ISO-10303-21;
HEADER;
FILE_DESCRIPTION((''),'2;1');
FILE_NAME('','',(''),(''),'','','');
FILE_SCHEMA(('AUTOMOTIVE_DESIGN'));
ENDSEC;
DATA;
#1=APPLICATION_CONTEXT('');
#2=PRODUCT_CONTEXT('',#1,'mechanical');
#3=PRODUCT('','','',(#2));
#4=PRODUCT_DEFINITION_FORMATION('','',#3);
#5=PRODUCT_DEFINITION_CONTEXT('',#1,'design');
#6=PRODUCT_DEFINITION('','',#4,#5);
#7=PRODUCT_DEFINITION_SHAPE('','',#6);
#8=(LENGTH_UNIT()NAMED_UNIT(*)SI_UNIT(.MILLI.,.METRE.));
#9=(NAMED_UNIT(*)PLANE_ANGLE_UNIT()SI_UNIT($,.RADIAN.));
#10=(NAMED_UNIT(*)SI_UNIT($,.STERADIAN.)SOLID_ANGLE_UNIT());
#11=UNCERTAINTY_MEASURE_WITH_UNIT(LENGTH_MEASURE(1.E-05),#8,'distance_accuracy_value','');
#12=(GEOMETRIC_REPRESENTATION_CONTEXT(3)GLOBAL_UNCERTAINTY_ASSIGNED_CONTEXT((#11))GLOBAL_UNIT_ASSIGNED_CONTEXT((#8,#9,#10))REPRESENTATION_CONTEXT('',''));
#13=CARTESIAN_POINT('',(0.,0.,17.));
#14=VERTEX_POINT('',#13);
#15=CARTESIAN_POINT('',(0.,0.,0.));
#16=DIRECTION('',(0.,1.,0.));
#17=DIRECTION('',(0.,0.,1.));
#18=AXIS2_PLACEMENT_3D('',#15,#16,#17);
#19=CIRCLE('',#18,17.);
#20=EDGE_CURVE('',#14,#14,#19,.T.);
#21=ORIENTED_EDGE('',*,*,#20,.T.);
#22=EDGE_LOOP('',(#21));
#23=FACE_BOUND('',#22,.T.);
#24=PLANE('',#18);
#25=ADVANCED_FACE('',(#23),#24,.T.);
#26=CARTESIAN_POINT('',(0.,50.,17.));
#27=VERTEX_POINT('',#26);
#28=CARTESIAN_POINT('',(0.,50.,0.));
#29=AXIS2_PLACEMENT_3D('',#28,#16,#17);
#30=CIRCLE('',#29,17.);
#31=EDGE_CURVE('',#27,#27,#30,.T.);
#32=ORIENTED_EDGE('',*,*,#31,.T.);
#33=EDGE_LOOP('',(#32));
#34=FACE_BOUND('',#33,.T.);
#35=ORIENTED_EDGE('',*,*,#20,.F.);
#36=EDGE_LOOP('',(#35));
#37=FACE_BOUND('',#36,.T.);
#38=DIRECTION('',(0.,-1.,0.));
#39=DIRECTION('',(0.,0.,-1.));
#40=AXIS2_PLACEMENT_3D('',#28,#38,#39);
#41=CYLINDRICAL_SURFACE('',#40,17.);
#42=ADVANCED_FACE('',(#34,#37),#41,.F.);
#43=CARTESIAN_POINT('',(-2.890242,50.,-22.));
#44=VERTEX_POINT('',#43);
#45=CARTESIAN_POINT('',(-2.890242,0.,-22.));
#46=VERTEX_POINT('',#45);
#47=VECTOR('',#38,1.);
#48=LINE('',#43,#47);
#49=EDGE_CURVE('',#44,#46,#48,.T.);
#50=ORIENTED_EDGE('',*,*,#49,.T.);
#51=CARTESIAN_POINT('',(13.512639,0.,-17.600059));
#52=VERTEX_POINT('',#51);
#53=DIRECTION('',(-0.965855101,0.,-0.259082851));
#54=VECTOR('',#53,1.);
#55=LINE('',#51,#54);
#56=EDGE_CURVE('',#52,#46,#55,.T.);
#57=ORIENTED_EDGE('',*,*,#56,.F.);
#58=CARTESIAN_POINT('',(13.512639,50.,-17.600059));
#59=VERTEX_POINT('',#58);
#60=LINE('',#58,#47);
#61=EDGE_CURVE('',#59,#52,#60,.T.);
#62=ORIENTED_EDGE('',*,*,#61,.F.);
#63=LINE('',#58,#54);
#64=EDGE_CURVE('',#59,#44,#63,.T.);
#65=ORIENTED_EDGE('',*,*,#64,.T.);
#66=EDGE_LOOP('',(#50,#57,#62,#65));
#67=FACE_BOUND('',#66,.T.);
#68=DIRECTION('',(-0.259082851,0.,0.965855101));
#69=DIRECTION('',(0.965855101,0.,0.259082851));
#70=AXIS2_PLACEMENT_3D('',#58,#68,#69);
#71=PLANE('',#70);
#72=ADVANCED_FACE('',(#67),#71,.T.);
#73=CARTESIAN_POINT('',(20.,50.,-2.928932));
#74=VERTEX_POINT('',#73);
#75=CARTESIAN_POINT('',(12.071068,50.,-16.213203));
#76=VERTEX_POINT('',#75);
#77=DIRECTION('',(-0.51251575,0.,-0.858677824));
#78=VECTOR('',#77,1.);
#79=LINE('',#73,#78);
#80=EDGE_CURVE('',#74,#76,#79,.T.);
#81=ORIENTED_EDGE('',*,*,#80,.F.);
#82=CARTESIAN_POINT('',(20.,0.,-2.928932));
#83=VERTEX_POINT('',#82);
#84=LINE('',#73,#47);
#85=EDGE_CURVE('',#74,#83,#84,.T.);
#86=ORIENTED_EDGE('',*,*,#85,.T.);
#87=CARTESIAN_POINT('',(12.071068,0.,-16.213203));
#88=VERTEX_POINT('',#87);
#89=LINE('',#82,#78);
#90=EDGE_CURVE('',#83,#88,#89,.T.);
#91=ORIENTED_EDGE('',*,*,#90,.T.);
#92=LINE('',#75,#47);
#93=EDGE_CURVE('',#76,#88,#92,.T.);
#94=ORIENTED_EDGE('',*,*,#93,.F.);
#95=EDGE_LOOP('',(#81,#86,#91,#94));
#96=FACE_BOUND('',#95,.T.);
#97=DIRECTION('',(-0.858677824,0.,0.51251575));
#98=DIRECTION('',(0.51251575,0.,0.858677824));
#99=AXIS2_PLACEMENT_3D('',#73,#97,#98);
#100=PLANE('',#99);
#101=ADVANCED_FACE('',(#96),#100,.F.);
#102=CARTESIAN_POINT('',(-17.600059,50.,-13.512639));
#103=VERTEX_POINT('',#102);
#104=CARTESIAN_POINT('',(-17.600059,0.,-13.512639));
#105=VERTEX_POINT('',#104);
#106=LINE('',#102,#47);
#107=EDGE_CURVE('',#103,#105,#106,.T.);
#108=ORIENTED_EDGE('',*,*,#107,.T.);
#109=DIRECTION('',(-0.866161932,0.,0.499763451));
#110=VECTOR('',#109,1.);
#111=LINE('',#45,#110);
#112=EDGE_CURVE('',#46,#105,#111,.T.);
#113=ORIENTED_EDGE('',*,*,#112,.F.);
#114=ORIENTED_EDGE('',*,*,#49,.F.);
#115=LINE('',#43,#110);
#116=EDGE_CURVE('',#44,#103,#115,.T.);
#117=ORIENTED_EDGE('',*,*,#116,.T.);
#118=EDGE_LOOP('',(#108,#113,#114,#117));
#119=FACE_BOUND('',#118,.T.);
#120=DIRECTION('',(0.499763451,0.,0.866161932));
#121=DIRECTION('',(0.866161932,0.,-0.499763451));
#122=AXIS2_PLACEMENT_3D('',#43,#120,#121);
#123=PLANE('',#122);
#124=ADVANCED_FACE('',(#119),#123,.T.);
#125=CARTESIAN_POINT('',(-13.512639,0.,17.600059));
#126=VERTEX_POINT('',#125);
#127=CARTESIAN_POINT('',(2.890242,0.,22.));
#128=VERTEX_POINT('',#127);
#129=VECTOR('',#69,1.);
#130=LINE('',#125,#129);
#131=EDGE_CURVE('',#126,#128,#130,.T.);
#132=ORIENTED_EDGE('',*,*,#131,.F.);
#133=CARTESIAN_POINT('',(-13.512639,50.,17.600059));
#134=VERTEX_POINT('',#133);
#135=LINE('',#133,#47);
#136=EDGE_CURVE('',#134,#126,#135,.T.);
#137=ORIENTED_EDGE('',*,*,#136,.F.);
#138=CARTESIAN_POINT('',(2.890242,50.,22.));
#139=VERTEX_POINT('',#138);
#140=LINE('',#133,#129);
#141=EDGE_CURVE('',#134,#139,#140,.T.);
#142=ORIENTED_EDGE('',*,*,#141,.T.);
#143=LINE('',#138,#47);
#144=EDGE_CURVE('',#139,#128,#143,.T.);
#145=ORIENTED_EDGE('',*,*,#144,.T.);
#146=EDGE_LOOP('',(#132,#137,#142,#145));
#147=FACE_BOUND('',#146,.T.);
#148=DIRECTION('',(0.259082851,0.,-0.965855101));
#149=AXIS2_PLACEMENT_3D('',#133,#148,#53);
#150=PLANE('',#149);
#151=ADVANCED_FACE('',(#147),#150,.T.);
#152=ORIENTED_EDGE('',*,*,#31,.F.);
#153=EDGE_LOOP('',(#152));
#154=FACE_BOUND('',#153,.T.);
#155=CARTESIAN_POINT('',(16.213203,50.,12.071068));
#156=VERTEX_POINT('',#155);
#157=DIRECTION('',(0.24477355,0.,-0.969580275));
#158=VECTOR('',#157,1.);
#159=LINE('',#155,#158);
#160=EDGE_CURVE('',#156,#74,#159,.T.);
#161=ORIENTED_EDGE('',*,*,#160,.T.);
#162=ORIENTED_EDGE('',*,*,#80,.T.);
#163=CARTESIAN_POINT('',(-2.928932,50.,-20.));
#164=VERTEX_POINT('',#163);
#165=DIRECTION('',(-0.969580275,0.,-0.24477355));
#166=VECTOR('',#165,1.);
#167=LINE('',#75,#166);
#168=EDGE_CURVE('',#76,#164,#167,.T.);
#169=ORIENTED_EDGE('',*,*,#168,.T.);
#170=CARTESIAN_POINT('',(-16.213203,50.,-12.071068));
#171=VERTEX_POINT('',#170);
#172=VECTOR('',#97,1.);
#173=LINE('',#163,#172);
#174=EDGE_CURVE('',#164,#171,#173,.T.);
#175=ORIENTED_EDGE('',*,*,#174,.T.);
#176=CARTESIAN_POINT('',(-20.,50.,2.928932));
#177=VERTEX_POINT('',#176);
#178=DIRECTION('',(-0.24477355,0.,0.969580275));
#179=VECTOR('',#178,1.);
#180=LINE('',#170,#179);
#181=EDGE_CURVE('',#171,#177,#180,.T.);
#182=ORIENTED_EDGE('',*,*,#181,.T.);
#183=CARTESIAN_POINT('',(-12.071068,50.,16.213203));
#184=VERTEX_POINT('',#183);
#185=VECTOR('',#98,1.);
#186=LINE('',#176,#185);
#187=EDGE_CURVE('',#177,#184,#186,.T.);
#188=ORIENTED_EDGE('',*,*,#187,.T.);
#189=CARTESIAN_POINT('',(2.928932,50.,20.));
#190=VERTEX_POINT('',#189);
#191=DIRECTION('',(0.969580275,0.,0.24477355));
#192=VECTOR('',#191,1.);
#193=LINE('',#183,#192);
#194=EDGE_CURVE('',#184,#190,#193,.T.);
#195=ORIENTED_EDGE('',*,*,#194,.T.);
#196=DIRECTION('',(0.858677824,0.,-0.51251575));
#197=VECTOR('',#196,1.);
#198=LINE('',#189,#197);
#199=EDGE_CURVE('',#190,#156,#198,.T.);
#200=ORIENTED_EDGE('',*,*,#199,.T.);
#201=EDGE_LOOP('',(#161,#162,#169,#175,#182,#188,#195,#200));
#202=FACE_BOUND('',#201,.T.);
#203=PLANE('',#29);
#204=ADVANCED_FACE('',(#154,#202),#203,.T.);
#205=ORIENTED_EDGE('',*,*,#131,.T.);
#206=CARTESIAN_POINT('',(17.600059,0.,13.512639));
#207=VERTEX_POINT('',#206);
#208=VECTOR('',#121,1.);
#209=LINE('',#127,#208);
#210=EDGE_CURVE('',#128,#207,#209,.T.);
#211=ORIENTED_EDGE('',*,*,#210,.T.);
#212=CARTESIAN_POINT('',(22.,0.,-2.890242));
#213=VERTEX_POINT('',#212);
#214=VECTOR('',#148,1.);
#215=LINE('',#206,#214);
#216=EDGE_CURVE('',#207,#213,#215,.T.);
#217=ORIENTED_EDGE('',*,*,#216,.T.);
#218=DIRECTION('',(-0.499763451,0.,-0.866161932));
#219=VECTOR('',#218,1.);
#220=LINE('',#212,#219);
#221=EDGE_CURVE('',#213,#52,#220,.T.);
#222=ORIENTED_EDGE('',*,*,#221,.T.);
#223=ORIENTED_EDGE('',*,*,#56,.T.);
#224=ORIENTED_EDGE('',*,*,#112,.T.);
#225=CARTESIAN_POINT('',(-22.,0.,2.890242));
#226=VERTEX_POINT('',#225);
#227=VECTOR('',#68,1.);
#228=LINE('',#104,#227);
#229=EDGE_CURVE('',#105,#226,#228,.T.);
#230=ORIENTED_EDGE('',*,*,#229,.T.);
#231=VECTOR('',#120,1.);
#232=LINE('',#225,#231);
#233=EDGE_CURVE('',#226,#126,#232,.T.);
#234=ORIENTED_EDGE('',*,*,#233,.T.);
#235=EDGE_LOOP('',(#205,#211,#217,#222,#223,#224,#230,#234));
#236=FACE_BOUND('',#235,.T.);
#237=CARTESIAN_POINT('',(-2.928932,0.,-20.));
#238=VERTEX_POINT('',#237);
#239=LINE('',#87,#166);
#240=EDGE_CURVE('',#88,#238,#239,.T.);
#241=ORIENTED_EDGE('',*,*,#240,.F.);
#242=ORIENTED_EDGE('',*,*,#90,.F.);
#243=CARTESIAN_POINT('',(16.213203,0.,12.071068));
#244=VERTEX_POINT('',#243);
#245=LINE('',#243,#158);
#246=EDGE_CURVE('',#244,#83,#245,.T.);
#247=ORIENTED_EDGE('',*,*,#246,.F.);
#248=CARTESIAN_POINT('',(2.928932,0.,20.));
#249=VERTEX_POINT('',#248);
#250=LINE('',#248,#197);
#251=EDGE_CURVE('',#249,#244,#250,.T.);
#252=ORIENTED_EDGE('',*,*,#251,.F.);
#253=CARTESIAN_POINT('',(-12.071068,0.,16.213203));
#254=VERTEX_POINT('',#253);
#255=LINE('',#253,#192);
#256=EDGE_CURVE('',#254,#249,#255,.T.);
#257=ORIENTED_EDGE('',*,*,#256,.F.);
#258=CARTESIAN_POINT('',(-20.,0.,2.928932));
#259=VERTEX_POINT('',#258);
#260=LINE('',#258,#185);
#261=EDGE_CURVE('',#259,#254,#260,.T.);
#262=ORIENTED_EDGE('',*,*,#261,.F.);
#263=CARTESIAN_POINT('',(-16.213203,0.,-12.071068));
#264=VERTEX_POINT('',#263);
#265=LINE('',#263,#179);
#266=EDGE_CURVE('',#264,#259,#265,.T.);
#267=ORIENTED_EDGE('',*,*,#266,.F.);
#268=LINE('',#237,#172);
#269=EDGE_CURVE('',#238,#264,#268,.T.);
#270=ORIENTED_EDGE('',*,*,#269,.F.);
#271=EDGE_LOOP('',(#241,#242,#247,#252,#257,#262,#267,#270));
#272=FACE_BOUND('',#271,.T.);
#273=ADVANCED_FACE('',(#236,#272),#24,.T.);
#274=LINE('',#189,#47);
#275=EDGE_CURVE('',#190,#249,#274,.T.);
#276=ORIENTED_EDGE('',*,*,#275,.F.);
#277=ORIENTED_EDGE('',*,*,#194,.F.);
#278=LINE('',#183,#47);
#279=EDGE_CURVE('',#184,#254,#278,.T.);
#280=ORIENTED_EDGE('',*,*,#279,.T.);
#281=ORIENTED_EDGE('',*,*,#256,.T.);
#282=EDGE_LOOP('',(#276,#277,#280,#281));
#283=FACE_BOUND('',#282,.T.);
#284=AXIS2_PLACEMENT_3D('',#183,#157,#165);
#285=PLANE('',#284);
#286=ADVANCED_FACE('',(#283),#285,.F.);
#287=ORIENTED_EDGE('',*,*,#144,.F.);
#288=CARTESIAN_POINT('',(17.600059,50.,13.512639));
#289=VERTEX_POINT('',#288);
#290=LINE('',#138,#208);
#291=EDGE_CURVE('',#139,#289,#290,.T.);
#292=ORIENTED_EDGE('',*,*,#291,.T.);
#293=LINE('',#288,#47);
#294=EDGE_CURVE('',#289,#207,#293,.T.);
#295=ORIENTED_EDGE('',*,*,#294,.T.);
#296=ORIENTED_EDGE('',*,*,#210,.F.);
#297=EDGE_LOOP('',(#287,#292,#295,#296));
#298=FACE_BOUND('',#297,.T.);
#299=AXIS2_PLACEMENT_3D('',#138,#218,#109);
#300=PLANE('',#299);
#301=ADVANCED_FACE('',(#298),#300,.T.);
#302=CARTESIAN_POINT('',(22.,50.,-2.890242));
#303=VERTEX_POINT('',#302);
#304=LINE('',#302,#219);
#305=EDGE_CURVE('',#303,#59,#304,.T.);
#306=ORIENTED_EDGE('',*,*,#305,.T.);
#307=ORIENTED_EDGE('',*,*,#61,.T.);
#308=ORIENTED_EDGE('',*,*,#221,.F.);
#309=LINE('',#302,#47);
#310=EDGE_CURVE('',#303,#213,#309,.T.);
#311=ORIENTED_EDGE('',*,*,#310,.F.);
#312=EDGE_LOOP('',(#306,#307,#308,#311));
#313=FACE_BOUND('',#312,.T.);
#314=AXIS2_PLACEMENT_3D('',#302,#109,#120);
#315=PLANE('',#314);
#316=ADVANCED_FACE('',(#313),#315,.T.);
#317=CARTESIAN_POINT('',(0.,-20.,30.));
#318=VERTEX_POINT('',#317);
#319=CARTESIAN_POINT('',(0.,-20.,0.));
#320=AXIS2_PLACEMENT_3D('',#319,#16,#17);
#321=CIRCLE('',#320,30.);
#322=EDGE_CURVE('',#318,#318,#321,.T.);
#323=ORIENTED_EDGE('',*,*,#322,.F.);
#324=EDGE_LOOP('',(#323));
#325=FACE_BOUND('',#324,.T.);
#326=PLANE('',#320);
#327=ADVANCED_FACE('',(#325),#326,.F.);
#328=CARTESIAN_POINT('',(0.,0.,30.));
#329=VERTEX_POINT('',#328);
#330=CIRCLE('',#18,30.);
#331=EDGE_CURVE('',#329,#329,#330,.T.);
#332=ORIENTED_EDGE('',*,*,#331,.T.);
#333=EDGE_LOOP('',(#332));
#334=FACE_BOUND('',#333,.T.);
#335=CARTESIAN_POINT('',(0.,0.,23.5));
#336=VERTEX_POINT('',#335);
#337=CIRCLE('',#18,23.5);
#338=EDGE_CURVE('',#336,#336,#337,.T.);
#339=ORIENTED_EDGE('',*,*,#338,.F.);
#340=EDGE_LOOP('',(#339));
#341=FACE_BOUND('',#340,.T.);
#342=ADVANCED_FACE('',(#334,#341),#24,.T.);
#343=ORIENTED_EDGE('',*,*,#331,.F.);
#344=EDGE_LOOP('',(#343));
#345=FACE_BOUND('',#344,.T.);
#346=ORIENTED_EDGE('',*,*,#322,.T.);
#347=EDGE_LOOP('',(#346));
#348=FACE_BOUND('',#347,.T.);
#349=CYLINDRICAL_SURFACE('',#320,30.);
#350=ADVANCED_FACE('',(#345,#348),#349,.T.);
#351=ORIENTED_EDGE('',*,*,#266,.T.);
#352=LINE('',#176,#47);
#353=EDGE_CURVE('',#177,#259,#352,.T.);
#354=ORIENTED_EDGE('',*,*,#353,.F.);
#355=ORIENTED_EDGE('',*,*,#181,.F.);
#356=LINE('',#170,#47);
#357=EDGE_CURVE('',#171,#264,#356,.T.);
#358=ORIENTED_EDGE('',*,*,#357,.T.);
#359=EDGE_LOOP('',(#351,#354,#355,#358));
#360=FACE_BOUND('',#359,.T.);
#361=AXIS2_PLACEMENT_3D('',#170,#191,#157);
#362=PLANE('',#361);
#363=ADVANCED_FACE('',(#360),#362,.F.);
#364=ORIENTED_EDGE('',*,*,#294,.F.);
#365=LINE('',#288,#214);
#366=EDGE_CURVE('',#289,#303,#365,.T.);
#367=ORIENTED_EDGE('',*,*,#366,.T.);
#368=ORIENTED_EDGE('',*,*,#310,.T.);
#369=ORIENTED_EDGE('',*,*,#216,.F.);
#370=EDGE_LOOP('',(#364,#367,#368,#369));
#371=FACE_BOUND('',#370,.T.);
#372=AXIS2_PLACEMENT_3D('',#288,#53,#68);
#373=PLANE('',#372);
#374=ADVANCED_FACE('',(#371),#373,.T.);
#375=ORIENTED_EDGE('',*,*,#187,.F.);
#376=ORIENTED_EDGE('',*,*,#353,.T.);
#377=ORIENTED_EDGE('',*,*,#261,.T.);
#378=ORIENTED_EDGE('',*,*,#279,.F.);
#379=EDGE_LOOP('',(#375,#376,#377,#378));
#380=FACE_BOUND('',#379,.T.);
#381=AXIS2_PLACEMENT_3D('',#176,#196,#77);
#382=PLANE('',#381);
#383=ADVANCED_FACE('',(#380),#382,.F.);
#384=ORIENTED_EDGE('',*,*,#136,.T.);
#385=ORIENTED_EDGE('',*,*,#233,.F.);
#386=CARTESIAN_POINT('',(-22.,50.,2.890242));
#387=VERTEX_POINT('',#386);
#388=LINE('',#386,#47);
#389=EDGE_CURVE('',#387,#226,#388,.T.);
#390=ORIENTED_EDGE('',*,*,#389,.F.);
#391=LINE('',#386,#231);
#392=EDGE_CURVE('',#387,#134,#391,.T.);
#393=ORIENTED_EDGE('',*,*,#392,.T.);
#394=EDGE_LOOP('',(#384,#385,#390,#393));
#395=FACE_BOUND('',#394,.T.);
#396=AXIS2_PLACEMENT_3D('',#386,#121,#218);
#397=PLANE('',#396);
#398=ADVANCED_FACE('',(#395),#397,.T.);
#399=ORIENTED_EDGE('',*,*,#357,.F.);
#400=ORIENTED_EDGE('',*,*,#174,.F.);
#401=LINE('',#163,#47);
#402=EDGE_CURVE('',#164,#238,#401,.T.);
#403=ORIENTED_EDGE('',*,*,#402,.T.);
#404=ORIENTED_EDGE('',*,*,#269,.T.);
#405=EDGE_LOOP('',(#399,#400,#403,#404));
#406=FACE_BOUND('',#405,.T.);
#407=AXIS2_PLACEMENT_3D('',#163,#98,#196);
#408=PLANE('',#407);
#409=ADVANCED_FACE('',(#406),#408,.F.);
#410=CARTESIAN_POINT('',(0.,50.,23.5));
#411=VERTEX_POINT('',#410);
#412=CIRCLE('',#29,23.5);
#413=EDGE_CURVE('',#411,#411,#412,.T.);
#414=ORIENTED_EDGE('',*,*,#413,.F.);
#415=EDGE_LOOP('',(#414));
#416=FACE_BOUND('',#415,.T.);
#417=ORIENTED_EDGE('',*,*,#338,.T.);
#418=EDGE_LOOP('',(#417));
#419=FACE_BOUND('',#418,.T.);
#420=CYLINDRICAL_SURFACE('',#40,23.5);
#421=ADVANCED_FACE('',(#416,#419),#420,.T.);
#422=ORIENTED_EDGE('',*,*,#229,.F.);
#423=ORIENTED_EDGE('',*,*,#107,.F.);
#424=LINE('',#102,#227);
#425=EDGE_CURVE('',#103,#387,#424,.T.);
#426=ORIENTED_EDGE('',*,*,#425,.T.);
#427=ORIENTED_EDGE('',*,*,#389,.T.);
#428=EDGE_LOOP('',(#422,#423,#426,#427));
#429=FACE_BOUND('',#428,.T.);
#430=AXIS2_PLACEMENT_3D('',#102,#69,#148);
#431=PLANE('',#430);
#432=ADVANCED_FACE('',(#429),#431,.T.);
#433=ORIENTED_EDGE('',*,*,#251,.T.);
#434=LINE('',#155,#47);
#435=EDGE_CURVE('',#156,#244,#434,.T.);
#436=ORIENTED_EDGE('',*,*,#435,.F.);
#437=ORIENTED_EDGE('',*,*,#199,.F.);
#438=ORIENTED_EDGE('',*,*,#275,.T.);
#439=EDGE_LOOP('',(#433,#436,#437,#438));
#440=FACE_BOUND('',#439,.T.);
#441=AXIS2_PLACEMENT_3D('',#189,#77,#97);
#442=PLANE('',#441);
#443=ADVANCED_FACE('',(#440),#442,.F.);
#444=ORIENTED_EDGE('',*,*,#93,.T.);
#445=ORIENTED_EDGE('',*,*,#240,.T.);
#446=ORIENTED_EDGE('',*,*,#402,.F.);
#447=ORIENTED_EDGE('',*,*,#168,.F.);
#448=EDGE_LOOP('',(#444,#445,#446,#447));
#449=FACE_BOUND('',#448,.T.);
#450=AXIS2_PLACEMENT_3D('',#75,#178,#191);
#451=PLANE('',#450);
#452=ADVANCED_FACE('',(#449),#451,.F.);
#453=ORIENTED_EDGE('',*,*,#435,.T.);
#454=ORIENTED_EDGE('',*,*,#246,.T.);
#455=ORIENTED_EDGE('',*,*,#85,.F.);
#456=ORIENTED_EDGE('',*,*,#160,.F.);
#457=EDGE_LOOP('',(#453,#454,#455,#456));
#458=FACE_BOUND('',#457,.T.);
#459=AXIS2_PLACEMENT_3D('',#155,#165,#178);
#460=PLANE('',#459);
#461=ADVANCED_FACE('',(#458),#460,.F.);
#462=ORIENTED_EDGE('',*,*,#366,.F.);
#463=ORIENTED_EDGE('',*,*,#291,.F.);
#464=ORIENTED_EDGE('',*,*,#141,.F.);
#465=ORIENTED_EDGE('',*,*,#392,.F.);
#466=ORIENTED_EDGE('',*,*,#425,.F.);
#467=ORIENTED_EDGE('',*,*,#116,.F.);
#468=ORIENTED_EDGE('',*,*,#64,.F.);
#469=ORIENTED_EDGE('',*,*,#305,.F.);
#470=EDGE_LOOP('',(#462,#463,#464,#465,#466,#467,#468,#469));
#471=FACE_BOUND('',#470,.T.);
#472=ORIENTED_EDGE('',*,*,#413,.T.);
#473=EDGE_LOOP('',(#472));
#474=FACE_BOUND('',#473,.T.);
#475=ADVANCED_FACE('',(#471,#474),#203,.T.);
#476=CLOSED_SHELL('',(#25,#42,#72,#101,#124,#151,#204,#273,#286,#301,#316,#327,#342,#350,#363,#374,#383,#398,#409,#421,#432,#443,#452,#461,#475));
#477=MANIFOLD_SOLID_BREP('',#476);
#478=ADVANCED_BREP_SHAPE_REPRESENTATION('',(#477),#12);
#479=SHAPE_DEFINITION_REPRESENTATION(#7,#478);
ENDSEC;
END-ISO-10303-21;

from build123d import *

# Parameters (mm, degrees)
SKETCH1_R           = 17
BOSS_EXTRUDE2_DEPTH = 50
SKETCH3_R           = 23.5
BOSS_EXTRUDE4_DEPTH = 50
SKETCH8_R           = 30
BOSS_EXTRUDE5_DEPTH = 20


with BuildPart() as part:
    # Sketch1 → Boss-Extrude2 (new body)
    with BuildSketch(Plane(origin=(0, 0, 0), x_dir=(1, 0, 0), z_dir=(0, 1, 0))):
        Polygon((16.213203436, -12.071067812), (20, 2.928932188), (12.071067812, 16.213203436), (-2.928932188, 20), (-16.213203436, 12.071067812), (-20, -2.928932188), (-12.071067812, -16.213203436), (2.928932188, -20), align=None)
        Circle(SKETCH1_R, mode=Mode.SUBTRACT)
    extrude(amount=BOSS_EXTRUDE2_DEPTH)



with BuildPart() as body_2:
    # Sketch3 → Boss-Extrude4 (new body)
    with BuildSketch(Plane(origin=(0, 0, 0), x_dir=(1, 0, 0), z_dir=(0, 1, 0))):
        Circle(SKETCH3_R)
        Polygon((-2.890242347, 22), (-17.600059149, 13.512639223), (-22, -2.890242347), (-13.512639223, -17.600059149), (2.890242347, -22), (17.600059149, -13.512639223), (22, 2.890242347), (13.512639223, 17.600059149), align=None, mode=Mode.SUBTRACT)
    extrude(amount=BOSS_EXTRUDE4_DEPTH)


with BuildPart() as part_1:
    add(part.part)

    add(body_2.part)  # Boss-Extrude5 merges body 2
    # Sketch8 → Boss-Extrude5 (add)
    with BuildSketch(Plane(origin=(0, 0, 0), x_dir=(1, 0, 0), z_dir=(0, 1, 0))):
        Circle(SKETCH8_R)
    extrude(amount=-BOSS_EXTRUDE5_DEPTH)


solid = part_1.part
